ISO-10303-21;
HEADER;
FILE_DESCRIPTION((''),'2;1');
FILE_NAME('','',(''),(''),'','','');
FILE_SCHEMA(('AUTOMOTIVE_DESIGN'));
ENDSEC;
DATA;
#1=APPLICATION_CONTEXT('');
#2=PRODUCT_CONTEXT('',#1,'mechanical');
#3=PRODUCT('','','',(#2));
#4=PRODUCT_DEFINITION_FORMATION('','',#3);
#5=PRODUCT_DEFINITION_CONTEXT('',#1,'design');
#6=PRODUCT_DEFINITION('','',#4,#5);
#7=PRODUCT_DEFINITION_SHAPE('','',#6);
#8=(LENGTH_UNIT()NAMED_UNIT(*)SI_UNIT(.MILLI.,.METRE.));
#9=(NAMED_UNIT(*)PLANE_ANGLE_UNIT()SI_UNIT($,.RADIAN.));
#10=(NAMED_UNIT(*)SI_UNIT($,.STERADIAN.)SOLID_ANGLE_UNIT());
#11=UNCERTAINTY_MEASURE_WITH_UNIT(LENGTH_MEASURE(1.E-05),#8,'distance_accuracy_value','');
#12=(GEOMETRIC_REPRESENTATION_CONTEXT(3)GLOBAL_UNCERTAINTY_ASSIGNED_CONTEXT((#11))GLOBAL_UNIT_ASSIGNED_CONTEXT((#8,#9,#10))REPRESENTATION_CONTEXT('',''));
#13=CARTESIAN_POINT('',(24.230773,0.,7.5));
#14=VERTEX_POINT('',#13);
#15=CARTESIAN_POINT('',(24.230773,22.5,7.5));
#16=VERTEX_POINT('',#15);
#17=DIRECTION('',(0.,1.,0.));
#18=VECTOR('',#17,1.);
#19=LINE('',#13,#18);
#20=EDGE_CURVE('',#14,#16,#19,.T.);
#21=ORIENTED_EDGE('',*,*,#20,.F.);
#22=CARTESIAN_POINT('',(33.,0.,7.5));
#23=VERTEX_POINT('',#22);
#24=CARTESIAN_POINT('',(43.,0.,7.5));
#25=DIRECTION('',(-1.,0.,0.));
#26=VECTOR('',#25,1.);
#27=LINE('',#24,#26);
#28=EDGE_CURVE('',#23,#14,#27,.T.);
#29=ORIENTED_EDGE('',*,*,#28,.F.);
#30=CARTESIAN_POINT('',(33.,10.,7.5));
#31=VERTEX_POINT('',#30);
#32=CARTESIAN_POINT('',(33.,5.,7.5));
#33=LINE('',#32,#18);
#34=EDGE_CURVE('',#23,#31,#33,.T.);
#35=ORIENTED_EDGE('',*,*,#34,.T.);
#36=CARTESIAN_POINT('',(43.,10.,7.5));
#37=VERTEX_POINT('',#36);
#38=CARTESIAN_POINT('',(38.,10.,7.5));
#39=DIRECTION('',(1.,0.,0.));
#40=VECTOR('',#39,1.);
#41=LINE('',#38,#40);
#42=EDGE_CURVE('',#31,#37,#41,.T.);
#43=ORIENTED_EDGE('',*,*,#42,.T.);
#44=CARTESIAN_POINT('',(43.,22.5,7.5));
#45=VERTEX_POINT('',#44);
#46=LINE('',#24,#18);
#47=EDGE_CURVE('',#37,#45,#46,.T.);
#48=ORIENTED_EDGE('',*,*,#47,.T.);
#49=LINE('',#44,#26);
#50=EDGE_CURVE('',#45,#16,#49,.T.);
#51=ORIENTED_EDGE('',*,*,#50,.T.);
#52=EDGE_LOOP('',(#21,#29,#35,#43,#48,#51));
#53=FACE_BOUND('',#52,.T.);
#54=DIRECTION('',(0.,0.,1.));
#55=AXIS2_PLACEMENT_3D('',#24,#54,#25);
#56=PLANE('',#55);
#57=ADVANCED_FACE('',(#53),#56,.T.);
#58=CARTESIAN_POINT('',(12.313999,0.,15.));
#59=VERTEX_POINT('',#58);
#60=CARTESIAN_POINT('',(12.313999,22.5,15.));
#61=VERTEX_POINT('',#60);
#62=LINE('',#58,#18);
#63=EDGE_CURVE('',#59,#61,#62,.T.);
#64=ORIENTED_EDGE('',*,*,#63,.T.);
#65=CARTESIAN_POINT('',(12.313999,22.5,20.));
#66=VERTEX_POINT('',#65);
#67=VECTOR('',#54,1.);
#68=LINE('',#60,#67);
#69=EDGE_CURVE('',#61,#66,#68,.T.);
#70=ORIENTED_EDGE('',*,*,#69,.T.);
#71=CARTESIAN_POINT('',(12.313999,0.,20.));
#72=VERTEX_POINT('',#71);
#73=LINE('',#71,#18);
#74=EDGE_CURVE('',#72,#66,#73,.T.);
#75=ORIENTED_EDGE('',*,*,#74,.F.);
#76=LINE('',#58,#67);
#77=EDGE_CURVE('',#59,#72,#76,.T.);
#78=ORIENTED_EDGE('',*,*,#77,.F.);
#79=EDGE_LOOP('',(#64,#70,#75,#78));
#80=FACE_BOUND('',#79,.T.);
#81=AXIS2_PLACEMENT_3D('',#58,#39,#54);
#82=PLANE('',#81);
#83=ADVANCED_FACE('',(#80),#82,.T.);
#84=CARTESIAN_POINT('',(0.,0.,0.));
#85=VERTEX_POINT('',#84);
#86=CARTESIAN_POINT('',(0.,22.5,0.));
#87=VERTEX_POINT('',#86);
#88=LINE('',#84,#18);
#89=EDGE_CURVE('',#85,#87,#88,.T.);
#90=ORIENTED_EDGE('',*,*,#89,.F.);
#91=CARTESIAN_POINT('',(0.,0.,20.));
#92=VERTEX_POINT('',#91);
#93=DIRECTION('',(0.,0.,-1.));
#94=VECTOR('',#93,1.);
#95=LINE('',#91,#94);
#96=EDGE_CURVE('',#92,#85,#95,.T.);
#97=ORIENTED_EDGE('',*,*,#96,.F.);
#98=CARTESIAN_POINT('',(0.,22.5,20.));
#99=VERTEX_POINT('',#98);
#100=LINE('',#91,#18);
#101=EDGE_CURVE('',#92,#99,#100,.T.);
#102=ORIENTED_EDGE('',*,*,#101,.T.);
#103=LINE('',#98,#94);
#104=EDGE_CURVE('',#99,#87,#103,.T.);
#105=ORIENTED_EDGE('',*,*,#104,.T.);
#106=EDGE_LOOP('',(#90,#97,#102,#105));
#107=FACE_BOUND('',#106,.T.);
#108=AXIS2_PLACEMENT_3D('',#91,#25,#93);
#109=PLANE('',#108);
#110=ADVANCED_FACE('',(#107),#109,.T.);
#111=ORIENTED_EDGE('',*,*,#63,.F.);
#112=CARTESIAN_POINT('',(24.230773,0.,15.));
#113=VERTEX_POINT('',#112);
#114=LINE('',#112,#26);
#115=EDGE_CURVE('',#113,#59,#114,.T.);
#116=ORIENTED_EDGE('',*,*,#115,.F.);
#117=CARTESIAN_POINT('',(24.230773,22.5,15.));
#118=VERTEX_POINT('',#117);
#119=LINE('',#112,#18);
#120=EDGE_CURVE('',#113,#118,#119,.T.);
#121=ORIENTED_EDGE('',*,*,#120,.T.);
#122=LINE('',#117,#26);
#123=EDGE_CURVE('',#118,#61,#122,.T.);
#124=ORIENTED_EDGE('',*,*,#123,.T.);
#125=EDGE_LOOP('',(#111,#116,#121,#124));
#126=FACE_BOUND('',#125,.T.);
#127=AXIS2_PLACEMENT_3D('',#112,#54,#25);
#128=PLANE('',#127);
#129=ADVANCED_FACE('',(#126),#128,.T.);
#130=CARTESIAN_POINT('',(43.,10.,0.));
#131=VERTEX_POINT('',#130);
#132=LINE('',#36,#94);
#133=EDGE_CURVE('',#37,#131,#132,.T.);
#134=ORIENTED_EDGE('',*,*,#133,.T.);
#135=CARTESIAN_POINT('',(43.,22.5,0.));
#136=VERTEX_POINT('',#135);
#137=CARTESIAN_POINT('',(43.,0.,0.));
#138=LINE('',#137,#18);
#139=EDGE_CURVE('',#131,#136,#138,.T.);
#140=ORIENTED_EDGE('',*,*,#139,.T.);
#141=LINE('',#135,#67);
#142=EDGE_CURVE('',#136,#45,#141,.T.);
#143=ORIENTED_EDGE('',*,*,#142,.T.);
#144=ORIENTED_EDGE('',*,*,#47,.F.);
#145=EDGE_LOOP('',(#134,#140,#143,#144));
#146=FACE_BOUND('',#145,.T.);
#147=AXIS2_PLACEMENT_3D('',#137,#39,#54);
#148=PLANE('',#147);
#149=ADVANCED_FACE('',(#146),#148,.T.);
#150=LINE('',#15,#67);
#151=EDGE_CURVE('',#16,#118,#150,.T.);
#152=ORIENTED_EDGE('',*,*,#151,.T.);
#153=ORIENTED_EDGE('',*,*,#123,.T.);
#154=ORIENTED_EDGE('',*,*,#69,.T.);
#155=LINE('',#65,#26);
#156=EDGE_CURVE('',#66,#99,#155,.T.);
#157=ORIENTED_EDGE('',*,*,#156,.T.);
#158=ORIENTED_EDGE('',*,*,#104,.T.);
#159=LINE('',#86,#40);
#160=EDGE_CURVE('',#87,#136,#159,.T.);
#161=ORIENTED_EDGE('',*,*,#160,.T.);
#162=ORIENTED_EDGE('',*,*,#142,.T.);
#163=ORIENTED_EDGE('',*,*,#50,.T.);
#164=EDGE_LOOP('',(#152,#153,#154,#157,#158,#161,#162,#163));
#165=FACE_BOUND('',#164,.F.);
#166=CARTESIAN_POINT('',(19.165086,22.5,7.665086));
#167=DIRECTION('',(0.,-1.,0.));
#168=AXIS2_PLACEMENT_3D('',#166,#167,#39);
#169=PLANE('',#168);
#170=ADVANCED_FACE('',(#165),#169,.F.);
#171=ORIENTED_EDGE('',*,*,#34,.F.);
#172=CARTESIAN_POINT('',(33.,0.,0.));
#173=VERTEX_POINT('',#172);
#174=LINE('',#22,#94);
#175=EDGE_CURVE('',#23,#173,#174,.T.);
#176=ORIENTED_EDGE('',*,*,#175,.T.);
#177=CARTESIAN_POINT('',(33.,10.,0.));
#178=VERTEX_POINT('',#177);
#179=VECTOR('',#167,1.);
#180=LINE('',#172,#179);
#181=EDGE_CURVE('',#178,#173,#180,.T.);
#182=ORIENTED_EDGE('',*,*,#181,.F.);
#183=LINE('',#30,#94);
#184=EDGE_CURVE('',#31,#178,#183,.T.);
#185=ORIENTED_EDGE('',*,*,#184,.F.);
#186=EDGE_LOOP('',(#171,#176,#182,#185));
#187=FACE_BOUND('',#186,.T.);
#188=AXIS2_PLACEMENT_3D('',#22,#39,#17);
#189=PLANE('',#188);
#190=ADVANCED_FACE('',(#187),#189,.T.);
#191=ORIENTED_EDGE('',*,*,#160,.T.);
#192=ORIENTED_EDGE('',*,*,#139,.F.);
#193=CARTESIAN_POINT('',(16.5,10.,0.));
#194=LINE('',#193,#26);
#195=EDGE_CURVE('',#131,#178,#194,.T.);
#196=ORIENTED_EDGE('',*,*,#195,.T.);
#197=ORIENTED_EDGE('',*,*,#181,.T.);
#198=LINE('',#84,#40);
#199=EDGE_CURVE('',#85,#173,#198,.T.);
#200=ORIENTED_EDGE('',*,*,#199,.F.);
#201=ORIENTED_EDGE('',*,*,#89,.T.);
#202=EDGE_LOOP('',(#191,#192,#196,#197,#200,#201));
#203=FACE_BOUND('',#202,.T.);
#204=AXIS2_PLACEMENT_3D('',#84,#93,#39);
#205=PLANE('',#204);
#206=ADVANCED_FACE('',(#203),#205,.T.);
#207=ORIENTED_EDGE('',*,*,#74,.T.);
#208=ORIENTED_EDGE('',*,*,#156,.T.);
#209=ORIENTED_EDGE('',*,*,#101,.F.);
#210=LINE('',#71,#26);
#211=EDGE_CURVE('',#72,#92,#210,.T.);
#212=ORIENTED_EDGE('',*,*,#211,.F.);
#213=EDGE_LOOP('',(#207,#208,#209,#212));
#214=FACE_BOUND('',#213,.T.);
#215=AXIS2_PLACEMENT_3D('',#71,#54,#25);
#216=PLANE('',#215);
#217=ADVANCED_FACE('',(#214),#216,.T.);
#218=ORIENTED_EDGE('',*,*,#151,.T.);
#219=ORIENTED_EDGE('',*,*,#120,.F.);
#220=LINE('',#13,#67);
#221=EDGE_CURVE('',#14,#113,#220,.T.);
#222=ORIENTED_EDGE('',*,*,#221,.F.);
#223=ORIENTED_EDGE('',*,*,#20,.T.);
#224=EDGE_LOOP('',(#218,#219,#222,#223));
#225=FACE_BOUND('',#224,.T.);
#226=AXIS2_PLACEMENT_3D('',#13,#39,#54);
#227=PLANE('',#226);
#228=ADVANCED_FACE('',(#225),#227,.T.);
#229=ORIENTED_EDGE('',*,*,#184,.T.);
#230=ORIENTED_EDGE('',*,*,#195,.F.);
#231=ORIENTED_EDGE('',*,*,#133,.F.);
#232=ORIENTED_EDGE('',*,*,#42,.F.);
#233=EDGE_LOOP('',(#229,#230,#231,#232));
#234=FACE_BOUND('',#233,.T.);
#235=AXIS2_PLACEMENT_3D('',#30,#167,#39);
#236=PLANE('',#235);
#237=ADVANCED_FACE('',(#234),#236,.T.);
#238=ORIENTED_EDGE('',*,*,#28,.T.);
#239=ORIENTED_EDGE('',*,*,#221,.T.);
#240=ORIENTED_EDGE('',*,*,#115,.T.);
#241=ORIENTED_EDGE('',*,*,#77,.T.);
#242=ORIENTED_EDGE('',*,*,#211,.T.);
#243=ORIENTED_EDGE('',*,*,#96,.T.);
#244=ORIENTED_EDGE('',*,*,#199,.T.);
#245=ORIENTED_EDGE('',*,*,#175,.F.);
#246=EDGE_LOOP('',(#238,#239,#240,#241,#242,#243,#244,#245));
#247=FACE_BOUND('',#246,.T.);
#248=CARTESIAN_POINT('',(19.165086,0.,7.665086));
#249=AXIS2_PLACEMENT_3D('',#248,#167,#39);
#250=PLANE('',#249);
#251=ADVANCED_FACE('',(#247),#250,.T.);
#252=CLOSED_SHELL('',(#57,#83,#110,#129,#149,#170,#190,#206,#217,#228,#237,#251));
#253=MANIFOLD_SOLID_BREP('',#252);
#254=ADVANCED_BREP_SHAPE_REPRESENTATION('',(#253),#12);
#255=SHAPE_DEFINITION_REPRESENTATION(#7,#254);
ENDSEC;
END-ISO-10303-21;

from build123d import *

# Parameters (mm, degrees)
F1_DEPTH = 22.5
F2_W     = 10
F2_H     = 10
F3_DEPTH = 25


with BuildPart() as f1:
    # F0 (on Front) → F1 (new body)
    with BuildSketch(Plane.XZ):
        Polygon((0, 20), (0, 0), (43, 0), (43, 7.5), (24.230773, 7.5), (24.230773, 15), (12.313999, 15), (12.313999, 20), align=None)
    extrude(amount=-F1_DEPTH)

    # F2 (on face) → F3 (cut)
    with BuildSketch(Plane.XY.offset(7.5)):
        with Locations((38, 5)):
            Rectangle(F2_W, F2_H)
    extrude(amount=-F3_DEPTH, mode=Mode.SUBTRACT)


solid = f1.part
